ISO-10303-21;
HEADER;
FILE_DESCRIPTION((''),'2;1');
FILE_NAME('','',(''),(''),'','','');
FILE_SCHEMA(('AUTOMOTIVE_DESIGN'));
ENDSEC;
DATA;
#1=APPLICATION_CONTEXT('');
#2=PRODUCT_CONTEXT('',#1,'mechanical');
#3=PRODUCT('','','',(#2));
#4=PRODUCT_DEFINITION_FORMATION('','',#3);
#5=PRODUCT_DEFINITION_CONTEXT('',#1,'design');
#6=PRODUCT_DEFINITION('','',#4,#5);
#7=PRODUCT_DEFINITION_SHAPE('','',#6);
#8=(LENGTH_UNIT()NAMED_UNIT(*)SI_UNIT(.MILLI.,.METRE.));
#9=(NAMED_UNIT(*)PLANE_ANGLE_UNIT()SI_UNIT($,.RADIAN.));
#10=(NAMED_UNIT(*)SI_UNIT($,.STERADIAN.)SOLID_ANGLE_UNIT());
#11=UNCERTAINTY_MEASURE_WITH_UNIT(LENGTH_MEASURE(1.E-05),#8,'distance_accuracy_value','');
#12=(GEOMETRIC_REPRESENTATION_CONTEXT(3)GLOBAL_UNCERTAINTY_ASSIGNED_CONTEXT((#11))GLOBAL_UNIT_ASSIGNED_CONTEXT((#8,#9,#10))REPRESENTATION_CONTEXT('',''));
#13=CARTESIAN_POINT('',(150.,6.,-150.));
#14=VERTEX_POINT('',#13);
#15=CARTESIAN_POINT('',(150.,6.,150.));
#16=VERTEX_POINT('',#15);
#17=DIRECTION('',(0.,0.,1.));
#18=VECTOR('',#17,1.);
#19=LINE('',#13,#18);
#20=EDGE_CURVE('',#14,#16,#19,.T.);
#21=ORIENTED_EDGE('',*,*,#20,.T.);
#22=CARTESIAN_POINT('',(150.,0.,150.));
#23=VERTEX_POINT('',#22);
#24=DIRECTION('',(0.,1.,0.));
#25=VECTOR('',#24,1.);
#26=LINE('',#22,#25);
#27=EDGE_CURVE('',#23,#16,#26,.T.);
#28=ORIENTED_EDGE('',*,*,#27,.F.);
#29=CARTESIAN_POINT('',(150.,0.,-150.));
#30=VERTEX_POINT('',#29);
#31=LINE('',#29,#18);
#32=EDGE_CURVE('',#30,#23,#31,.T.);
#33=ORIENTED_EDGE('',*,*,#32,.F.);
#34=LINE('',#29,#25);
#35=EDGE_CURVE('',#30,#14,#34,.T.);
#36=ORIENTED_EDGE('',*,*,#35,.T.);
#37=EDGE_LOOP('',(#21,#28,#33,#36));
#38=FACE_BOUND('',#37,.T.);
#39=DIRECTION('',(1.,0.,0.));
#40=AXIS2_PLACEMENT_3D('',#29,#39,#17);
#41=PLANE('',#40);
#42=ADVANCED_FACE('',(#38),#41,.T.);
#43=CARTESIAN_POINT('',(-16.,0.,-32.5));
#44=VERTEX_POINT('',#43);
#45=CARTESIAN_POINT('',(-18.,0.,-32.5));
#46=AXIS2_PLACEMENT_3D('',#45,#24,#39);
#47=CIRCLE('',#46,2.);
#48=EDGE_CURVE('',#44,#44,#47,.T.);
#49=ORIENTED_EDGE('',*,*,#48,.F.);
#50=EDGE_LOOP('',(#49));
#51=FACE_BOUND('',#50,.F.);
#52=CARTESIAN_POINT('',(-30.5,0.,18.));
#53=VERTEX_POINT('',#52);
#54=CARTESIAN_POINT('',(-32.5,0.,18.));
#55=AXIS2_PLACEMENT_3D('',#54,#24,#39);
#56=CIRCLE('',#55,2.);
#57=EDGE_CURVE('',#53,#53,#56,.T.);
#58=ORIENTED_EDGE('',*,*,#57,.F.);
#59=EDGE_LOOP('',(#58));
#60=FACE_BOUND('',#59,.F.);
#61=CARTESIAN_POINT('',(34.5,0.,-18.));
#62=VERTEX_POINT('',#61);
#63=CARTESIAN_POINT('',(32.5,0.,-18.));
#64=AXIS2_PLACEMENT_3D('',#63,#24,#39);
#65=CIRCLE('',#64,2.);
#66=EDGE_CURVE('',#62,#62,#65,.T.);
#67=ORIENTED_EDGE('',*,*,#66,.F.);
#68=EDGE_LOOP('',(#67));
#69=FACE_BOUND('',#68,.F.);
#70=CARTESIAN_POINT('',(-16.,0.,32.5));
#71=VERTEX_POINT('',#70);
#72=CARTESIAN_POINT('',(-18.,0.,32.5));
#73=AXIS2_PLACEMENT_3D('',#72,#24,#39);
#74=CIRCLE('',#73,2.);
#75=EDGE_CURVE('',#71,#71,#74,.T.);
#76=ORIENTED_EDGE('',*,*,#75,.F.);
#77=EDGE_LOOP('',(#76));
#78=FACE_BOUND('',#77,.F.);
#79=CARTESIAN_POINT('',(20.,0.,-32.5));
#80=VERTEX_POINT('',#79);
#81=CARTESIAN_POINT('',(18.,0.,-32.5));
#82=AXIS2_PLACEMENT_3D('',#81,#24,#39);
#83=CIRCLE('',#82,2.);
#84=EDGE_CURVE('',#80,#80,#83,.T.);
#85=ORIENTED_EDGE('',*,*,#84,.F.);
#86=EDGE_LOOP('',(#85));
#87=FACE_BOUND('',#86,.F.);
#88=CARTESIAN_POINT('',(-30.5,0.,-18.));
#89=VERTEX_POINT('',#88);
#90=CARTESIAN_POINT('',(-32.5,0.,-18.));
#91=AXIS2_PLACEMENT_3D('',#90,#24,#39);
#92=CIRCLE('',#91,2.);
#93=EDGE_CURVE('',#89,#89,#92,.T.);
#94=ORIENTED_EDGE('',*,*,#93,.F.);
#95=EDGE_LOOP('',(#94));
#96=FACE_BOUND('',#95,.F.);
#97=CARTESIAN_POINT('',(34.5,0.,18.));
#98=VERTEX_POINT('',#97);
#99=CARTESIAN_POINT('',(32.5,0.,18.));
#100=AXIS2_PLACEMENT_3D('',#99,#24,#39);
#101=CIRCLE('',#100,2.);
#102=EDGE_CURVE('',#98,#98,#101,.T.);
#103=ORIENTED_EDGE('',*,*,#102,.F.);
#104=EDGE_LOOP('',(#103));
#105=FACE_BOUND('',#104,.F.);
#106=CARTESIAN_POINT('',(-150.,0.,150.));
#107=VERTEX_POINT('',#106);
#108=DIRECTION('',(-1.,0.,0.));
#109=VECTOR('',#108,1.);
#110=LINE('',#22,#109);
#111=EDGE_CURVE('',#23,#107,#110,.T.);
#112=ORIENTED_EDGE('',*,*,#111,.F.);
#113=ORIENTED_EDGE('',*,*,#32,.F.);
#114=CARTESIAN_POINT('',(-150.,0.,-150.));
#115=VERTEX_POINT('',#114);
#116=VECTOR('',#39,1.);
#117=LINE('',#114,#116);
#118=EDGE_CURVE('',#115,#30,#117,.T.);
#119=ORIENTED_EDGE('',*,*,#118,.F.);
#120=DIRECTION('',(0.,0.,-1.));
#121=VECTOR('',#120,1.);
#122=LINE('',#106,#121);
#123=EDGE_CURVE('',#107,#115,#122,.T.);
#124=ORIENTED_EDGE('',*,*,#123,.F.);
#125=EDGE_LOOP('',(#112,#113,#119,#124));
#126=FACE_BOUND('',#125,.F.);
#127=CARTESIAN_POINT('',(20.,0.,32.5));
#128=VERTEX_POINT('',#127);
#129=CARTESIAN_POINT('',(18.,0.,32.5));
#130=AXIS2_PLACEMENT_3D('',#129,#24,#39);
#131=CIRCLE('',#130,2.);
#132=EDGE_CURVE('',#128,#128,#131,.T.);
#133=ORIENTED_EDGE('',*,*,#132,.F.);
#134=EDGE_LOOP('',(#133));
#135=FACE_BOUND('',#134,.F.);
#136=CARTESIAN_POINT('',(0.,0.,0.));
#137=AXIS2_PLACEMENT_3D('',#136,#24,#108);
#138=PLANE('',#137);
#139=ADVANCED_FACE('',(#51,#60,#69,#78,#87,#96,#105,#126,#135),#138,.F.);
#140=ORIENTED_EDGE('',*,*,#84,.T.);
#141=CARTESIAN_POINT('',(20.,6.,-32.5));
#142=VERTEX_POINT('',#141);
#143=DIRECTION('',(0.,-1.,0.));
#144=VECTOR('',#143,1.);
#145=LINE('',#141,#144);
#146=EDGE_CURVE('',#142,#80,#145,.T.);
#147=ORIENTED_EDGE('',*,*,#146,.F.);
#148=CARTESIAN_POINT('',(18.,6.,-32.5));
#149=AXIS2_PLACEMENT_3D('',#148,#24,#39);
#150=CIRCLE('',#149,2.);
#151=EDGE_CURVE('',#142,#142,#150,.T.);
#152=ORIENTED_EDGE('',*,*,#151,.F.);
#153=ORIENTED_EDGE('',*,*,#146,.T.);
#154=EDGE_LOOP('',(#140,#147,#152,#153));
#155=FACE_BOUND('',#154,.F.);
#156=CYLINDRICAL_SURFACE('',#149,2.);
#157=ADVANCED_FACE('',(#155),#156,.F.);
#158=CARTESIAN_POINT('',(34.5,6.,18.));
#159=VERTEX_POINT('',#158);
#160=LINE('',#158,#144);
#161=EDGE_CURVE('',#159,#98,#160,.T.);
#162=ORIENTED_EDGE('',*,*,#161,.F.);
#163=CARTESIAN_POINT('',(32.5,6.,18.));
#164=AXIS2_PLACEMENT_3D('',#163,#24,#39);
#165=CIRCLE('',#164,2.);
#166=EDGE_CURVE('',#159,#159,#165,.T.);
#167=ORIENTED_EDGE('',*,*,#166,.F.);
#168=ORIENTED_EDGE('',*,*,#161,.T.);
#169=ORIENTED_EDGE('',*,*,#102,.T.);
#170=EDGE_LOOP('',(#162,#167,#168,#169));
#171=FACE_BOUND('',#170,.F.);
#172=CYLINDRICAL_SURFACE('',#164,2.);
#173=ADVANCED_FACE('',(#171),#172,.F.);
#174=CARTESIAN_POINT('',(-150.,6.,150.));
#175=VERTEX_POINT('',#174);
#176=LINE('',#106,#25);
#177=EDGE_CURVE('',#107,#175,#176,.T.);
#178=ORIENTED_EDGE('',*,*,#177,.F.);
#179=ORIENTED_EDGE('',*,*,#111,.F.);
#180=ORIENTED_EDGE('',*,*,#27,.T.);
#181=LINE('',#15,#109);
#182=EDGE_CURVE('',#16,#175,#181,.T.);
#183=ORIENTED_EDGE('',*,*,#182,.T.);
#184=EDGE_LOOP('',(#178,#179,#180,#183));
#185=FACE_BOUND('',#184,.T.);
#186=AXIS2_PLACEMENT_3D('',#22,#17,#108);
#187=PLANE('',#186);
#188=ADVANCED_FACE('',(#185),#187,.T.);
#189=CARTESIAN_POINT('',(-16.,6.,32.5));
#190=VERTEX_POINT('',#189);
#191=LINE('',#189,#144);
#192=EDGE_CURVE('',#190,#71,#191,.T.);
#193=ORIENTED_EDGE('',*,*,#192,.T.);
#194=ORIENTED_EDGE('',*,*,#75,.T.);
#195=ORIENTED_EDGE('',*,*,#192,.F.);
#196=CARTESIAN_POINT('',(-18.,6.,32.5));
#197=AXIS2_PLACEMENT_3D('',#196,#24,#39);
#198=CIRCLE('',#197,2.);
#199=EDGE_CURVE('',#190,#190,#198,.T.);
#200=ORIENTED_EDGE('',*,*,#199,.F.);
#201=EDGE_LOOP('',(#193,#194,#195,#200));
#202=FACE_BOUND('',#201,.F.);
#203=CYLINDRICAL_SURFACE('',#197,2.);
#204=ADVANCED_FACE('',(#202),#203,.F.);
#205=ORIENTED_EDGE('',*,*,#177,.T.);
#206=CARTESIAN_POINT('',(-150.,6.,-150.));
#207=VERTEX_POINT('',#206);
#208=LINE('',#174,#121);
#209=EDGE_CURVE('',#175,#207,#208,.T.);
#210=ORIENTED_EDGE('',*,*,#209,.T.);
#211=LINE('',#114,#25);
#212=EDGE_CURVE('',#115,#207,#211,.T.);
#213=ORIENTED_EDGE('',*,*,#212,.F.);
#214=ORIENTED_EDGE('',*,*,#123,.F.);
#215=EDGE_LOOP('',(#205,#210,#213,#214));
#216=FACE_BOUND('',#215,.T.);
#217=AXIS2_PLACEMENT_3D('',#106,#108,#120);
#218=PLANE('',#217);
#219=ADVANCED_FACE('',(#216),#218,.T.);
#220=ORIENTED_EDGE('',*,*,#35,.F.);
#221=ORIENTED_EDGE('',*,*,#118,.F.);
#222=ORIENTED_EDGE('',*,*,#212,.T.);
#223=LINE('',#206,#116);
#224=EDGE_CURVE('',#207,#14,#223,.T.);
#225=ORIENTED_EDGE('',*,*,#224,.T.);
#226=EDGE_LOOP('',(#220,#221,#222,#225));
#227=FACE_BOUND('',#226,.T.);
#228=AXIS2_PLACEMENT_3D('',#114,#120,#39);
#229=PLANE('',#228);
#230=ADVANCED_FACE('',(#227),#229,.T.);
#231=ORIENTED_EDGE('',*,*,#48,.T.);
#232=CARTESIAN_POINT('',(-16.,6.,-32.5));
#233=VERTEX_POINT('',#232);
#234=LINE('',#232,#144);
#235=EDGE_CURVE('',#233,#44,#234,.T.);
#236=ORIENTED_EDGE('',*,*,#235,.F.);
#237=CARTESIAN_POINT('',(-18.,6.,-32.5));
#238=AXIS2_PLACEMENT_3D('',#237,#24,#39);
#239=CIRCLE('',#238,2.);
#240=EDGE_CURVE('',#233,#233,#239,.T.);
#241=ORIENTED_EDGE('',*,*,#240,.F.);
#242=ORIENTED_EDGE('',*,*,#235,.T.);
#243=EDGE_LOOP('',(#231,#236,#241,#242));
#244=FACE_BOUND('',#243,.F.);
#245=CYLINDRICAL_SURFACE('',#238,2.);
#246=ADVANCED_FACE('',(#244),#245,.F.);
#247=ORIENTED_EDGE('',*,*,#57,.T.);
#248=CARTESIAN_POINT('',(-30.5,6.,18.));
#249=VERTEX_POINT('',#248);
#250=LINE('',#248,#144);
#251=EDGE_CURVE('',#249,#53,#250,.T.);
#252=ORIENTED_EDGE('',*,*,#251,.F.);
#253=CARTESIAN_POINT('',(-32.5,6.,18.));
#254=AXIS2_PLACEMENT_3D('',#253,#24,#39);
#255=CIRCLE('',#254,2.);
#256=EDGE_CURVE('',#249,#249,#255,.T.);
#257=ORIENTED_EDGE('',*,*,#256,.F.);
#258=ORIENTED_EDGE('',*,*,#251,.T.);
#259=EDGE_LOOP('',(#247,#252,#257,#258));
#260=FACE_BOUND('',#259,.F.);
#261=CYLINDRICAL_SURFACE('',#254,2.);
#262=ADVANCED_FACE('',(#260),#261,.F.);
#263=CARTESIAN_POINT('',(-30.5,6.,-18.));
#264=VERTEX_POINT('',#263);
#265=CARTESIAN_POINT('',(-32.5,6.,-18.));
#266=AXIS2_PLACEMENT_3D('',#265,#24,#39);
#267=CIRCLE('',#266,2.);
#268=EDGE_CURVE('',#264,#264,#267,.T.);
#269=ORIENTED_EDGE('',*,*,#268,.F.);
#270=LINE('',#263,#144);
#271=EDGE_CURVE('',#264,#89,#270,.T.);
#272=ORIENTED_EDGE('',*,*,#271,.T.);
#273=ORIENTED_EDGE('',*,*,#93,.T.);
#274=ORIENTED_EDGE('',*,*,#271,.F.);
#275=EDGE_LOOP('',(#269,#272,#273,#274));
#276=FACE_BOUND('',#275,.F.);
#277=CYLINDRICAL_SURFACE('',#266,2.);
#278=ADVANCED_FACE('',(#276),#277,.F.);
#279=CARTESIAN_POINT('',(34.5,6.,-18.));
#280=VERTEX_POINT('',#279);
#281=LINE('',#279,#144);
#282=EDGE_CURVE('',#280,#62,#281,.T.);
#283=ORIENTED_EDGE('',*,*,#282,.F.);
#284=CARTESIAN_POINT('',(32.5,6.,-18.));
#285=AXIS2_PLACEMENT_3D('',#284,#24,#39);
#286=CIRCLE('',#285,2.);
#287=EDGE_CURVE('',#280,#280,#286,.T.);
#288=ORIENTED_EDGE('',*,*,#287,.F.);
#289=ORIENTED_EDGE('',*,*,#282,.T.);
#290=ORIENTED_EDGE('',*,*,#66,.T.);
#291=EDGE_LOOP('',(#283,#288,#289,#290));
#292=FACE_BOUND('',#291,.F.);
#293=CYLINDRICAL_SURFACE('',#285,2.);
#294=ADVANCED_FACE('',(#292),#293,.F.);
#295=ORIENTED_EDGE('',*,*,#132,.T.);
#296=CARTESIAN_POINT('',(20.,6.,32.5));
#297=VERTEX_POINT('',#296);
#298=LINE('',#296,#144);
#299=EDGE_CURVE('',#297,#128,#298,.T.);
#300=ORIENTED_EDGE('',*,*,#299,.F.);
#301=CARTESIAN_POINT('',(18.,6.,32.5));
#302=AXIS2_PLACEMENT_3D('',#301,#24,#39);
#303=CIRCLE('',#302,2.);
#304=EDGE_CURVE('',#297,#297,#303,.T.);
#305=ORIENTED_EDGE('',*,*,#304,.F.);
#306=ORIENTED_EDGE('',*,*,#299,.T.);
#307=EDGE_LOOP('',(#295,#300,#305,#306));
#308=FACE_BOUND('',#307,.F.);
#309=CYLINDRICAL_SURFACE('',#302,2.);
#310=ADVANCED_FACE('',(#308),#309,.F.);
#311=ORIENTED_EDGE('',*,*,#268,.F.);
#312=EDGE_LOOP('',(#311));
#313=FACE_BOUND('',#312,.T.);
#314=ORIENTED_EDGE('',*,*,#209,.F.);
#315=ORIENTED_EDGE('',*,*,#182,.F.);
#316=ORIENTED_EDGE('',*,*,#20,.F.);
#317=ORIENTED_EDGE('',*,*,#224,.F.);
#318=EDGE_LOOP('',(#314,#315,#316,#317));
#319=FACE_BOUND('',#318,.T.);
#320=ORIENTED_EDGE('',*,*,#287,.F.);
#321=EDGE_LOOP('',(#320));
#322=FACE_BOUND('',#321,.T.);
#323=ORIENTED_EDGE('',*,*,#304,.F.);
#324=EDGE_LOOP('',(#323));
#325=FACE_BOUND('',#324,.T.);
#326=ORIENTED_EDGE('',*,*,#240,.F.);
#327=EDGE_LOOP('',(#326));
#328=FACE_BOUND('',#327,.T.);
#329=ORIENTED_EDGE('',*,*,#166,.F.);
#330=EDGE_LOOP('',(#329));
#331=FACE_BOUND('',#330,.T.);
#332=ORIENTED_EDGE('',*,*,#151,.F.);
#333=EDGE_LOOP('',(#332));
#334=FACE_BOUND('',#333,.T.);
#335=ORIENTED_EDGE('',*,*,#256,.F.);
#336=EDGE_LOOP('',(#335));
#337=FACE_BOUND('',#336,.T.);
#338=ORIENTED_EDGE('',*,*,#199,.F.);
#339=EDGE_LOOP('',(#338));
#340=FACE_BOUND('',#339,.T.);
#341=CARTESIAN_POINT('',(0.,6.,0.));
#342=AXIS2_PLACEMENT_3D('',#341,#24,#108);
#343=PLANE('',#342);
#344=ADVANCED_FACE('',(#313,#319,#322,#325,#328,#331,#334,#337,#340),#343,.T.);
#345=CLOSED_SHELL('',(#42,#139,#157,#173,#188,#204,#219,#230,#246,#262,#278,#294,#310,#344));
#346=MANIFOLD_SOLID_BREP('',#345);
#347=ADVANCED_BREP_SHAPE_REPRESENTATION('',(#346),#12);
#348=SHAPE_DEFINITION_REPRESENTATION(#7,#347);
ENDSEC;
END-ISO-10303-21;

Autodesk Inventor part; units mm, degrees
ref_plane "YZ Plane" through (0, 0, 0) normal (1, 0, 0) x (0, 1, 0)
ref_plane "XZ Plane" through (0, 0, 0) normal (0, 1, 0) x (-1, 0, 0)
ref_plane "XY Plane" through (0, 0, 0) normal (0, 0, 1) x (1, 0, 0)
sketch "Эскиз1" plane through (0, 0, 0) normal (0, 1, 0) x (-1, 0, 0)
  line L0 (-150, 150) -> (150, 150)
  line L1 (150, 150) -> (150, -150)
  line L2 (150, -150) -> (-150, -150)
  line L3 (-150, -150) -> (-150, 150)
  line L4 (-150, 150) -> (150, -150) construction
  line L5 (150, 150) -> (-150, -150) construction
  point P0 (0, 0)
  dimension "d0" = 300
  dimension "d1" = 300
extrude "Выдавливание1" add sketch "Эскиз1" along normal blind 6
sketch "Эскиз2" plane through (0, 6, 0) normal (0, 1, 0) x (1, 0, 0)
  circle A0 centre (-32.5, -18) radius 2
  circle A1 centre (-18, -32.5) radius 2
  line L0 (13, 27.5) -> (-13, 27.5)
  line L1 (-13, 27.5) -> (-13, 37.5)
  line L2 (-13, 37.5) -> (-23, 37.5)
  line L3 (-23, 37.5) -> (-23, 32)
  line L4 (-32, 23) -> (-23, 32)
  line L5 (-32, 23) -> (-37.5, 23)
  line L6 (-37.5, 23) -> (-37.5, 13)
  line L7 (-37.5, 13) -> (-27.5, 13)
  line L8 (-27.5, 13) -> (-27.5, -13)
  line L9 (-27.5, -13) -> (-37.5, -13)
  line L10 (-37.5, -13) -> (-37.5, -23)
  line L11 (-37.5, -23) -> (-32, -23)
  line L12 (-23, -32) -> (-32, -23)
  line L13 (-23, -32) -> (-23, -37.5)
  line L14 (-23, -37.5) -> (-13, -37.5)
  line L15 (-13, -37.5) -> (-13, -27.5)
  line L16 (-13, -27.5) -> (13, -27.5)
  line L17 (13, -27.5) -> (13, -37.5)
  line L18 (13, -37.5) -> (23, -37.5)
  line L19 (23, -37.5) -> (23, -32)
  line L20 (32, -23) -> (23, -32)
  line L21 (32, -23) -> (37.5, -23)
  line L22 (37.5, -23) -> (37.5, -13)
  line L23 (37.5, -13) -> (27.5, -13)
  line L24 (27.5, -13) -> (27.5, 13)
  line L25 (27.5, 13) -> (37.5, 13)
  line L26 (37.5, 13) -> (37.5, 23)
  line L27 (37.5, 23) -> (32, 23)
  line L28 (23, 32) -> (32, 23)
  line L29 (23, 32) -> (23, 37.5)
  line L30 (23, 37.5) -> (13, 37.5)
  line L31 (13, 37.5) -> (13, 27.5)
  circle A2 centre (-18, 32.5) radius 2
  circle A3 centre (-32.5, 18) radius 2
  circle A4 centre (18, -32.5) radius 2
  circle A5 centre (32.5, -18) radius 2
  circle A6 centre (18, 32.5) radius 2
  line L32 (-18.0075, 21.609) -> (18.0075, 21.609)
  line L33 (18.0075, 21.609) -> (21.609, 18.0075)
  line L34 (21.609, 18.0075) -> (21.609, -18.0075)
  line L35 (21.609, -18.0075) -> (18.0075, -21.609)
  line L36 (18.0075, -21.609) -> (-18.0075, -21.609)
  line L37 (-18.0075, -21.609) -> (-21.609, -18.0075)
  line L38 (-21.609, -18.0075) -> (-21.609, 18.0075)
  line L39 (-21.609, 18.0075) -> (-18.0075, 21.609)
  circle A7 centre (32.5, 18) radius 2
  arc A8 (-11.3, 0) -> (0, -11.3) centre (0, 0) ccw
  arc A9 (0, -11.3) -> (11.3, 0) centre (0, 0) ccw
  arc A10 (11.3, 0) -> (0, 11.3) centre (0, 0) ccw
  arc A11 (0, 11.3) -> (-11.3, 0) centre (0, 0) ccw
extrude "Выдавливание2" cut sketch "Эскиз2" against normal blind 10 contours A0 | A1 | A2 | A3 | A4 | A5 | A6 | A7
properties part number "base"
